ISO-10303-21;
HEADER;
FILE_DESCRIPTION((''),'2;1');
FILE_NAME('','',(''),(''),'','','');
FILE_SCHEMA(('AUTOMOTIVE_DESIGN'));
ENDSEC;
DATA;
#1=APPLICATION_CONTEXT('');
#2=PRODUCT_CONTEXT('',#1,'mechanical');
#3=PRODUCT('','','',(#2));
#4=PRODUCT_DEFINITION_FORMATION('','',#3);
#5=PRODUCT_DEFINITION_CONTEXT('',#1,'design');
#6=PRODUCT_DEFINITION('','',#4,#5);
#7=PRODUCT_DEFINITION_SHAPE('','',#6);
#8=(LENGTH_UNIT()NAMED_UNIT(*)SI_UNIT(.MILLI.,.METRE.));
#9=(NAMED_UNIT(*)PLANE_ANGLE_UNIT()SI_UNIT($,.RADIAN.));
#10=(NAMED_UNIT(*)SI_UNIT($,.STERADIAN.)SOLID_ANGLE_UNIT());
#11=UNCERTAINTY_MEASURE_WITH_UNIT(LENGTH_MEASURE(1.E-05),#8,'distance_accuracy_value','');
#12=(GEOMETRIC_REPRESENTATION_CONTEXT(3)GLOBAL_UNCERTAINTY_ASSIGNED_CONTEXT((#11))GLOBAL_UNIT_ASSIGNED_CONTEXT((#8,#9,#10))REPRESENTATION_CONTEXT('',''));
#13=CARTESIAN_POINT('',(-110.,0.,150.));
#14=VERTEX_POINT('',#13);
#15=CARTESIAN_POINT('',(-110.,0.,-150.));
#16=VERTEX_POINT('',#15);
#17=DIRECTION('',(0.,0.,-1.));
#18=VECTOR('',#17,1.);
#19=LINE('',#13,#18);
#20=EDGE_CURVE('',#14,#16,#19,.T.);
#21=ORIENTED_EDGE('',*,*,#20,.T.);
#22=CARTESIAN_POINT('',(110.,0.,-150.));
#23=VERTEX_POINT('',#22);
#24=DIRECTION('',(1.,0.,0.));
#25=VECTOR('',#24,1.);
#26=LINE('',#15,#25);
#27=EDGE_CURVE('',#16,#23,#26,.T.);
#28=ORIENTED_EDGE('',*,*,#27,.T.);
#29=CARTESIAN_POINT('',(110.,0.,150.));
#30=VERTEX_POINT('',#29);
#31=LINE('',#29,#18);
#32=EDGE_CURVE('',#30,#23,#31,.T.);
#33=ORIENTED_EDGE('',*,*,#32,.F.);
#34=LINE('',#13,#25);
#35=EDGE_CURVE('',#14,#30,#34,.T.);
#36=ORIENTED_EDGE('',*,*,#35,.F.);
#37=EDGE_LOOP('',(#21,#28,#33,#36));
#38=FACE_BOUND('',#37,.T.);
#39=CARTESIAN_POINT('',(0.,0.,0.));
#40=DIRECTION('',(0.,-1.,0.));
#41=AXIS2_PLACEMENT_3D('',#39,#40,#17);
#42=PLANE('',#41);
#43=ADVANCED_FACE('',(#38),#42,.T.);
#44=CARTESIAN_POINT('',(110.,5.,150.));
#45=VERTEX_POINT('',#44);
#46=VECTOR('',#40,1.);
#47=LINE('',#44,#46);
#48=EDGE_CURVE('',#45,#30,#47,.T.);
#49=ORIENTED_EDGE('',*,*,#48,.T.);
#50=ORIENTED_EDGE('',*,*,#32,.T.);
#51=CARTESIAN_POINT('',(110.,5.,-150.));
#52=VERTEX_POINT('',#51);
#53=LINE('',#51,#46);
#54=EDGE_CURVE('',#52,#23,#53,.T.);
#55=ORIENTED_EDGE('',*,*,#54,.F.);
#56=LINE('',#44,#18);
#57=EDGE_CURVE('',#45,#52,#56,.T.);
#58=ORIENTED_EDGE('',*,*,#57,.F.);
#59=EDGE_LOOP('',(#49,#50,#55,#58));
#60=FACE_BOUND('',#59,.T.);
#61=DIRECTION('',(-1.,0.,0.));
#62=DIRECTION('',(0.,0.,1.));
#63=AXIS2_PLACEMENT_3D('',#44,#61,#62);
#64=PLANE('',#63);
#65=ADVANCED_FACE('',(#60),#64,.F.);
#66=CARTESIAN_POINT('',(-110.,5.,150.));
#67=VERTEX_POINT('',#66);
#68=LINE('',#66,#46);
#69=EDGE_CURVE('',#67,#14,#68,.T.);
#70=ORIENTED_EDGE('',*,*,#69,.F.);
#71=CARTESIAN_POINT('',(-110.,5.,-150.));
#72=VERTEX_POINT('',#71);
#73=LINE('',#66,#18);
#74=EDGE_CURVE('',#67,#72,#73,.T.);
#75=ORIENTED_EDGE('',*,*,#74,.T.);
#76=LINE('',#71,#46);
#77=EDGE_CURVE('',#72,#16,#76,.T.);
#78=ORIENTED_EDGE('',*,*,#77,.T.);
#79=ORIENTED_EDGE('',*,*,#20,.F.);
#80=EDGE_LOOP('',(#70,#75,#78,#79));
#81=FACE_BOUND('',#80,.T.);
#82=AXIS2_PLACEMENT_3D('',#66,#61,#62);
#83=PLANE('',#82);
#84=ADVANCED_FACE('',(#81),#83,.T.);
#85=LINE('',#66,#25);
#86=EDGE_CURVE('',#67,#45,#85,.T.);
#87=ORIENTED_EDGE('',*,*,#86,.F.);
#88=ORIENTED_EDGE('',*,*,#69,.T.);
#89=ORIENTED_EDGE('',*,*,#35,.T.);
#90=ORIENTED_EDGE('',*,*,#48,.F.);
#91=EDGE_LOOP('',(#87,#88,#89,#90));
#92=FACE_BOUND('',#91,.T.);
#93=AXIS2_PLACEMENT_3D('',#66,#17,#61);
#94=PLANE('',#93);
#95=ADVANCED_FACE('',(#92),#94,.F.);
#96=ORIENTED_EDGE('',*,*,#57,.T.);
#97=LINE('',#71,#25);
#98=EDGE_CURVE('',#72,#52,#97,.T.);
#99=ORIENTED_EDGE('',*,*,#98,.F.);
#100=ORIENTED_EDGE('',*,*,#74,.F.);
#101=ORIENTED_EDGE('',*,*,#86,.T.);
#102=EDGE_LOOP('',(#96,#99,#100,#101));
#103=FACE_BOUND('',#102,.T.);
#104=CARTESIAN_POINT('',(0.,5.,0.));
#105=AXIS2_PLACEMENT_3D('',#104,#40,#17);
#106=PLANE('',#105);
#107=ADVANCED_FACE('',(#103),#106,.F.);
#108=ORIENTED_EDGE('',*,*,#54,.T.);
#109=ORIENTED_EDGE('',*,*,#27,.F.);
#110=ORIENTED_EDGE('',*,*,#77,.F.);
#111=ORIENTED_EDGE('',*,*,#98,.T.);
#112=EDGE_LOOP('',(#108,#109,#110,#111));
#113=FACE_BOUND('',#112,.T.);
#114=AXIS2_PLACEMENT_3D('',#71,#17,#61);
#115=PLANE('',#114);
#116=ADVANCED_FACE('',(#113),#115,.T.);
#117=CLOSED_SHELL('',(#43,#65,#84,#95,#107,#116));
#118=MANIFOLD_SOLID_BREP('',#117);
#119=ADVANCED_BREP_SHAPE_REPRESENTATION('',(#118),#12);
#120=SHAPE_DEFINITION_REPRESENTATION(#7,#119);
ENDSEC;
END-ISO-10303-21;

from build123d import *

# Parameters (mm, degrees)
ESQUISSE1_W        = 220
ESQUISSE1_H        = 300
BOSS_EXTRU_1_DEPTH = 5


with BuildPart() as part:
    # Esquisse1 → Boss.-Extru.1 (new body)
    with BuildSketch(Plane(origin=(0, 0, 0), x_dir=(1, 0, 0), z_dir=(0, 1, 0))):
        Rectangle(ESQUISSE1_W, ESQUISSE1_H)
    extrude(amount=BOSS_EXTRU_1_DEPTH)


solid = part.part
